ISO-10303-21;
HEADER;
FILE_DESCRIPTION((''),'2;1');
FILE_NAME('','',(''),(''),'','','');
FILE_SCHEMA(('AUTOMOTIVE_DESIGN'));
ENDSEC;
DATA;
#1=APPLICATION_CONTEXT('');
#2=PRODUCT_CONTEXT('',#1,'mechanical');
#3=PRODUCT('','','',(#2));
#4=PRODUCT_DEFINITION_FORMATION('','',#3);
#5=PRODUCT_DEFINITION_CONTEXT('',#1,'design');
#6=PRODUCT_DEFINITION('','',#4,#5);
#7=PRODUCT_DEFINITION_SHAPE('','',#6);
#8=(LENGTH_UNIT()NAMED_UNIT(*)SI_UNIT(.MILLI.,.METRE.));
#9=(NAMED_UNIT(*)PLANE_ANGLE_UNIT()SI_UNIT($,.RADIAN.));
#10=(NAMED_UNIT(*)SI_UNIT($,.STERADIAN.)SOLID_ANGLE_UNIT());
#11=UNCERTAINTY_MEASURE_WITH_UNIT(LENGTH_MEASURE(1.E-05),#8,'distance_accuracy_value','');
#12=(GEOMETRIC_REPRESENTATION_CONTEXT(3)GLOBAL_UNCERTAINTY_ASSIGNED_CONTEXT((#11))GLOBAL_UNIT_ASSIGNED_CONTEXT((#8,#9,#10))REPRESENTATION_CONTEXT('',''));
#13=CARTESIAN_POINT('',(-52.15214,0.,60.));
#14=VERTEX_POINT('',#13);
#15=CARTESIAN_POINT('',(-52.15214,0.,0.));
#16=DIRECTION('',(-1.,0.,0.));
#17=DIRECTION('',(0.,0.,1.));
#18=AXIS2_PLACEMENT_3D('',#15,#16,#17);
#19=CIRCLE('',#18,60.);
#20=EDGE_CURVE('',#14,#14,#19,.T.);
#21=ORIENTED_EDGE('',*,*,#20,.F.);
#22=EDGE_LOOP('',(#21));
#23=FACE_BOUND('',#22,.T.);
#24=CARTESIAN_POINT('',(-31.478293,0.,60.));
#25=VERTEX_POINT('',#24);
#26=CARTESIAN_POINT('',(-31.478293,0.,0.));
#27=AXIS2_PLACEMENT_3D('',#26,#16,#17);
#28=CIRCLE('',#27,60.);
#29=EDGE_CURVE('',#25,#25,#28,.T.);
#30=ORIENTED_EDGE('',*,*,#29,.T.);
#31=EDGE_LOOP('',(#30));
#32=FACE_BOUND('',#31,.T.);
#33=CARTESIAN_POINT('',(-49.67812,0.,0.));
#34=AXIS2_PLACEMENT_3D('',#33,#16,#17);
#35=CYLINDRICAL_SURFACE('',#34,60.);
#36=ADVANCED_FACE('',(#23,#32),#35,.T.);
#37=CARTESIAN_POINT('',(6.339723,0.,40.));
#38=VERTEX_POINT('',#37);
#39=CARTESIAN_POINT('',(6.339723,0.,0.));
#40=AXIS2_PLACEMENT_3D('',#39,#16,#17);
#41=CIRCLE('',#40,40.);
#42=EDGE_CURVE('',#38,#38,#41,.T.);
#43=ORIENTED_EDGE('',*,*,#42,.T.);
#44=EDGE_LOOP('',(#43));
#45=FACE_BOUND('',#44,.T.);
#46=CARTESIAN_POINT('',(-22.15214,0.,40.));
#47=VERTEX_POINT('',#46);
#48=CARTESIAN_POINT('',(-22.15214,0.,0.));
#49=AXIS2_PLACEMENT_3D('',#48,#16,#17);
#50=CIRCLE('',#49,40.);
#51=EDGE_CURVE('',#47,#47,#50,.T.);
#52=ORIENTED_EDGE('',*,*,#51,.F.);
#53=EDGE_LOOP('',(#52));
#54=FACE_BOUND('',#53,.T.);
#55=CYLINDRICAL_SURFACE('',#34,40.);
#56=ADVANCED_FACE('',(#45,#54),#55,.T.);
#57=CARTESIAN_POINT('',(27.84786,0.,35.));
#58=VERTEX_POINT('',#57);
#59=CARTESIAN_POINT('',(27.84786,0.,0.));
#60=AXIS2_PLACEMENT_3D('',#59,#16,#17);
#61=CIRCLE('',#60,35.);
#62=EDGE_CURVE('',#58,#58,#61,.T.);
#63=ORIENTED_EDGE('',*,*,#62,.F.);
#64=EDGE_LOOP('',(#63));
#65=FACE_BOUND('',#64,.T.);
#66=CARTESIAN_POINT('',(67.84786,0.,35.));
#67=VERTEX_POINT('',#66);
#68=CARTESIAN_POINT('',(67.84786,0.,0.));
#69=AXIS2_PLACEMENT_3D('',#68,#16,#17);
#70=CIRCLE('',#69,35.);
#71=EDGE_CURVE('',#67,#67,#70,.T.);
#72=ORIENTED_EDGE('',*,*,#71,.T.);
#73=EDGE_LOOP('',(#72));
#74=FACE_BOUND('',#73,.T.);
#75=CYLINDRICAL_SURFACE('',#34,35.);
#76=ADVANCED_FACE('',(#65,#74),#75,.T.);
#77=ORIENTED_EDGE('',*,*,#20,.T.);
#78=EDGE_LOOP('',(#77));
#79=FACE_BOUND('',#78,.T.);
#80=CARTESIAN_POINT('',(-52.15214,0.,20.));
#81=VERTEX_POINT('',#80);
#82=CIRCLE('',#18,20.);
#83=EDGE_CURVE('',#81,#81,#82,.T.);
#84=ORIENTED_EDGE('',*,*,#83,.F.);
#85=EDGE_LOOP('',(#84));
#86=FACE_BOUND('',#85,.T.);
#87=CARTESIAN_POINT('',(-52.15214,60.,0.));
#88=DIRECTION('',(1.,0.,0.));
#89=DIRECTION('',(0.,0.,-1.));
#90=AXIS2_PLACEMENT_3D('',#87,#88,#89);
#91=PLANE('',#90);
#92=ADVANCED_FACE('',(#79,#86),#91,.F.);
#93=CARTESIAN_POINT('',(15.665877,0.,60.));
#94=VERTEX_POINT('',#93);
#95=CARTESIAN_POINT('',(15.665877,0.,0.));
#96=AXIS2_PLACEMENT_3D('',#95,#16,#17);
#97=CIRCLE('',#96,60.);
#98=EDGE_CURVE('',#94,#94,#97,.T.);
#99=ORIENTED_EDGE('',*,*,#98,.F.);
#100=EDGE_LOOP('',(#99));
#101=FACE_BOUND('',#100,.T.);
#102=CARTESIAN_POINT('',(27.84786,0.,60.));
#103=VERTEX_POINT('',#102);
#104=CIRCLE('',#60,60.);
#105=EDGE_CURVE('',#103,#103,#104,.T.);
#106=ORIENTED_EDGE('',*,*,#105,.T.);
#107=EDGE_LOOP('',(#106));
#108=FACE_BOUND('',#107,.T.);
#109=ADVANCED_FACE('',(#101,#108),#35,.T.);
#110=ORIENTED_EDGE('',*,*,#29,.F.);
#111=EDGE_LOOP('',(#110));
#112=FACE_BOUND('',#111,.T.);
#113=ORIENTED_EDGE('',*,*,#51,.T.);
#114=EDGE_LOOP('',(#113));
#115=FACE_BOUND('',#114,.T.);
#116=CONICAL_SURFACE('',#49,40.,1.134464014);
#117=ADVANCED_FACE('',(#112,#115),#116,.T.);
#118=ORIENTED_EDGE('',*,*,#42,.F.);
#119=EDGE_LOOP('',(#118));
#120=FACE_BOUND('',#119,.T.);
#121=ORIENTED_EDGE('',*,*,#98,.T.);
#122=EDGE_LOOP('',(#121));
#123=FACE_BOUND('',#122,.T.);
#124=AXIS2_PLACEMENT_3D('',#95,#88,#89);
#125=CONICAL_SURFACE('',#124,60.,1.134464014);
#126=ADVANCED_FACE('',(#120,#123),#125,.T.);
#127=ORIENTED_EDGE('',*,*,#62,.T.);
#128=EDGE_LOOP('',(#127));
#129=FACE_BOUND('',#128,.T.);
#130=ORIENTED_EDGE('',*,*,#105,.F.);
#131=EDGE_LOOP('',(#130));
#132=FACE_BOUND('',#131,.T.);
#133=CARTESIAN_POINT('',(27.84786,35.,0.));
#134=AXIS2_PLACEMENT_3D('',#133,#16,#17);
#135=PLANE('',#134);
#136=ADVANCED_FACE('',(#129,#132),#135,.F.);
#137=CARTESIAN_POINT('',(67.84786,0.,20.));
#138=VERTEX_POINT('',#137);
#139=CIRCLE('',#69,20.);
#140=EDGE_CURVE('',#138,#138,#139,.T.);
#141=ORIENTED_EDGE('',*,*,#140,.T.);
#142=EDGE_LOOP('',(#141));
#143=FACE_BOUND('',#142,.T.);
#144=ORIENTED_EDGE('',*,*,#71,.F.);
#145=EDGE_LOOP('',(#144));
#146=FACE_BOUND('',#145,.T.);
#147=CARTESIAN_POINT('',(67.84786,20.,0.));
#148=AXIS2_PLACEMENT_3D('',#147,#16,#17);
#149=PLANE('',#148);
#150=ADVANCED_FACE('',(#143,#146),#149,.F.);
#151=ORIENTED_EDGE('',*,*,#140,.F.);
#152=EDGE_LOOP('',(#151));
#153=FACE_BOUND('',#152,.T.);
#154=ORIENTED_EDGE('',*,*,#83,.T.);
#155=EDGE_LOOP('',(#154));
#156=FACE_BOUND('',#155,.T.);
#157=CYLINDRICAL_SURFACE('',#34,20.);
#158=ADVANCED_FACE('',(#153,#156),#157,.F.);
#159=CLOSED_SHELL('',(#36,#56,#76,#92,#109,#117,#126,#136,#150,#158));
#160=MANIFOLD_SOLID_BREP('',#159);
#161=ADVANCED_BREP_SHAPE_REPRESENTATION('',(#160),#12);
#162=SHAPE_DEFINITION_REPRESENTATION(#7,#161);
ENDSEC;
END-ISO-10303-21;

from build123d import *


with BuildPart() as part:
    # Sketch1 → Revolve1 (revolve)
    with BuildSketch(Plane.XY):
        Polygon((-52.152139616, 60), (-52.152139616, 20), (67.847860384, 20), (67.847860384, 35), (27.847860384, 35), (27.847860384, 60), (15.665876525, 60), (6.339723362, 40), (-22.152139616, 40), (-31.478292779, 60), align=None)
    revolve(axis=Axis((-49.678120063, 0, 0), (1, 0, 0)))


solid = part.part
